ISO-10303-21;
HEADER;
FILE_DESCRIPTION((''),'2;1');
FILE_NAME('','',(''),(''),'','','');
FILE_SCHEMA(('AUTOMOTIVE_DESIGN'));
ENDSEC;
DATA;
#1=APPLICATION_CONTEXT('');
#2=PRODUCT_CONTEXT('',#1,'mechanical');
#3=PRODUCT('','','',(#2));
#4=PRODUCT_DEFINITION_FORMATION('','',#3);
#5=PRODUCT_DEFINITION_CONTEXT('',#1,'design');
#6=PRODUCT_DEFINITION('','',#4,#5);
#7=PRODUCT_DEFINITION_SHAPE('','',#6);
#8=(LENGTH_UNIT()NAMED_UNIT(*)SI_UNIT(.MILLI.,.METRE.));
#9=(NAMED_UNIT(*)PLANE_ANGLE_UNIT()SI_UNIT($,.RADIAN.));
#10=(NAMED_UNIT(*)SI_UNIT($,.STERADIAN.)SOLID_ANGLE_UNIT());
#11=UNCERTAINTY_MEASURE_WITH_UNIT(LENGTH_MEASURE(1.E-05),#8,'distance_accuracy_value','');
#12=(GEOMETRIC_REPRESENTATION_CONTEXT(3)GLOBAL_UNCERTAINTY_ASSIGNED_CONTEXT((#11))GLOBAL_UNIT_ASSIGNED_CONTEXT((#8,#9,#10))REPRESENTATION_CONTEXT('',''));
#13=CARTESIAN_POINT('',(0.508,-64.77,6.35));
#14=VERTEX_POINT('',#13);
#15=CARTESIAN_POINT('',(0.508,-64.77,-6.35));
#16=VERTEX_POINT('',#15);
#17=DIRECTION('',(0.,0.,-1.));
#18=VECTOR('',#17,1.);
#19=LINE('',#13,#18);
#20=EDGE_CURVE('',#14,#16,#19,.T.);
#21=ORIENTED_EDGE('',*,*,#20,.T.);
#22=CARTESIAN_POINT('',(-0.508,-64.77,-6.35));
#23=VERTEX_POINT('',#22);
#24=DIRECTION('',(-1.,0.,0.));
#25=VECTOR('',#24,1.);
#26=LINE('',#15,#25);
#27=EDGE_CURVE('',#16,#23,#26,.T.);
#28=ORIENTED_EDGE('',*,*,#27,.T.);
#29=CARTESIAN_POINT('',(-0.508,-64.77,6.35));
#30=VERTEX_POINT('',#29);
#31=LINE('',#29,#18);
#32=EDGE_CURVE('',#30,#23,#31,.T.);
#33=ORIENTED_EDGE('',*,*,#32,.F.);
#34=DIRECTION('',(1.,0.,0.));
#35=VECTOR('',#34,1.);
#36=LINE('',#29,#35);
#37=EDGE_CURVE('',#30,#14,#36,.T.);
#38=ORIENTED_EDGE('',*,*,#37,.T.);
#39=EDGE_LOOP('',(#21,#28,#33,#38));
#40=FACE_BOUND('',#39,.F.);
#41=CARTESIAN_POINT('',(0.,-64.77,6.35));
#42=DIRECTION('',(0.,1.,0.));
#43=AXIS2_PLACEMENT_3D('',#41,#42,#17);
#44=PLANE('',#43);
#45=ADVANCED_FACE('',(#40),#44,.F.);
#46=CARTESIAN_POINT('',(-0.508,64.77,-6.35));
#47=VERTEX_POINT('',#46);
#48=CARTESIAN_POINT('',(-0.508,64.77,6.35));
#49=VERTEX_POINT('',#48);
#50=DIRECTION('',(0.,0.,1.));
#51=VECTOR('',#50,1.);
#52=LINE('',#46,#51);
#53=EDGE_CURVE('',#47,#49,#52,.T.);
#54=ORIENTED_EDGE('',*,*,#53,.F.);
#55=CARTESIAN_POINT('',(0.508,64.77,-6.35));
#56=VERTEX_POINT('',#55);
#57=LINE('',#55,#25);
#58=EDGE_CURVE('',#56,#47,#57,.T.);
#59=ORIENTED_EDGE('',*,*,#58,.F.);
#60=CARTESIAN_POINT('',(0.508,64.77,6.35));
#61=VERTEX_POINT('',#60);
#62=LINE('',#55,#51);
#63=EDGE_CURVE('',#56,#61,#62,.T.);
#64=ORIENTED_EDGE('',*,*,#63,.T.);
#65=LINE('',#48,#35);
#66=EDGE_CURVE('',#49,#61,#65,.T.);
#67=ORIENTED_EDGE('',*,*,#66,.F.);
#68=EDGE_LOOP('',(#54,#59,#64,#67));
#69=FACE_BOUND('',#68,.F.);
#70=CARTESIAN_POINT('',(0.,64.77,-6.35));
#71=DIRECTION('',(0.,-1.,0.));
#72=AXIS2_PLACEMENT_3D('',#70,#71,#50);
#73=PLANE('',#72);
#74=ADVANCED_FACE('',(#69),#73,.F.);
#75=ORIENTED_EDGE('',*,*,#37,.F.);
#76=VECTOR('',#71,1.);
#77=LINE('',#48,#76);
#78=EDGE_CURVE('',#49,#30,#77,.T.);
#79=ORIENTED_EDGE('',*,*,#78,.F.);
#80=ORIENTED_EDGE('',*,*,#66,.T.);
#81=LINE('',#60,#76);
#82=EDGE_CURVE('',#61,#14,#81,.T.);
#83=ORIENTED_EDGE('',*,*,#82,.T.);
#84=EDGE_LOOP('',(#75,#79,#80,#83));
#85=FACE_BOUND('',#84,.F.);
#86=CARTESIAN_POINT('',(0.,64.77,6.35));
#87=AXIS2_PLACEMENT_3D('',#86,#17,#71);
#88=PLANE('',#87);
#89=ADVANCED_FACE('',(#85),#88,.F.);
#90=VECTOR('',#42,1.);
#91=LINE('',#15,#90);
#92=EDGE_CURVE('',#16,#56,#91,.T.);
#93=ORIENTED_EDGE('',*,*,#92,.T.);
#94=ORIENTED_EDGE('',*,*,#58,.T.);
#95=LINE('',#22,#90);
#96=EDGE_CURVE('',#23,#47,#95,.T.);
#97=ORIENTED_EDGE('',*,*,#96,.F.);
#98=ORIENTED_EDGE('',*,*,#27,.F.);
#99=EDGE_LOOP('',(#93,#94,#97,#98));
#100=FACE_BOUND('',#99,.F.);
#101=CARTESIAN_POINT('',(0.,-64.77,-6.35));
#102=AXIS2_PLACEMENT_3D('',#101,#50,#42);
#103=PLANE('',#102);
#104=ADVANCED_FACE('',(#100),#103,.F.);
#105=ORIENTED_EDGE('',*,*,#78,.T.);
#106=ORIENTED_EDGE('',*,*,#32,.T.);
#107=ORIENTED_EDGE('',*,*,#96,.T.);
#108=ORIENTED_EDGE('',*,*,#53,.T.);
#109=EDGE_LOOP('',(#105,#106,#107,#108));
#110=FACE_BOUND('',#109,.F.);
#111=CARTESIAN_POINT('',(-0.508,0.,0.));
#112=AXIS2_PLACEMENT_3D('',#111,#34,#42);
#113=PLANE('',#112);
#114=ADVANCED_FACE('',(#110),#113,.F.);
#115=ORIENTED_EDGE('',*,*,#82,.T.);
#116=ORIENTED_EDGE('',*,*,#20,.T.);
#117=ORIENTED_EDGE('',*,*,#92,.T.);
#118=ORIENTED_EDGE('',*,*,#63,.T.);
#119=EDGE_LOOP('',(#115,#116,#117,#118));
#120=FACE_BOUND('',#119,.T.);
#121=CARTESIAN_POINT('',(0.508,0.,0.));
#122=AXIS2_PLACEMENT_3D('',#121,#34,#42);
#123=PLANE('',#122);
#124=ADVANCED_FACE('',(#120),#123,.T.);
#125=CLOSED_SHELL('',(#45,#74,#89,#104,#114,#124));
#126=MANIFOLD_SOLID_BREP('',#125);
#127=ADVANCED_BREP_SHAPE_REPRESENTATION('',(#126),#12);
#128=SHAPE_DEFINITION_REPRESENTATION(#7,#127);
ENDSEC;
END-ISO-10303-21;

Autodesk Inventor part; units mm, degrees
ref_plane "YZ Plane" through (0, 0, 0) normal (1, 0, 0) x (0, 1, 0)
ref_plane "XZ Plane" through (0, 0, 0) normal (0, 1, 0) x (-1, 0, 0)
ref_plane "XY Plane" through (0, 0, 0) normal (0, 0, 1) x (1, 0, 0)
sketch "Sketch1" plane through (0, 0, 0) normal (1, 0, 0) x (0, 1, 0)
  line L0 (64.77, 6.35) -> (-64.77, 6.35)
  line L1 (-64.77, 6.35) -> (-64.77, -6.35)
  line L2 (-64.77, -6.35) -> (64.77, -6.35)
  line L3 (64.77, -6.35) -> (64.77, 6.35)
  line L4 (64.77, 6.35) -> (-64.77, -6.35) construction
  line L5 (-64.77, 6.35) -> (64.77, -6.35) construction
  point P0 (0, 0)
  dimension "d0" = 129.54
  dimension "d1" = 12.7
extrude "Extrusion1" add sketch "Sketch1" along normal mid plane 1.016
properties part number "WW-01" material "Wood (Birch)"
